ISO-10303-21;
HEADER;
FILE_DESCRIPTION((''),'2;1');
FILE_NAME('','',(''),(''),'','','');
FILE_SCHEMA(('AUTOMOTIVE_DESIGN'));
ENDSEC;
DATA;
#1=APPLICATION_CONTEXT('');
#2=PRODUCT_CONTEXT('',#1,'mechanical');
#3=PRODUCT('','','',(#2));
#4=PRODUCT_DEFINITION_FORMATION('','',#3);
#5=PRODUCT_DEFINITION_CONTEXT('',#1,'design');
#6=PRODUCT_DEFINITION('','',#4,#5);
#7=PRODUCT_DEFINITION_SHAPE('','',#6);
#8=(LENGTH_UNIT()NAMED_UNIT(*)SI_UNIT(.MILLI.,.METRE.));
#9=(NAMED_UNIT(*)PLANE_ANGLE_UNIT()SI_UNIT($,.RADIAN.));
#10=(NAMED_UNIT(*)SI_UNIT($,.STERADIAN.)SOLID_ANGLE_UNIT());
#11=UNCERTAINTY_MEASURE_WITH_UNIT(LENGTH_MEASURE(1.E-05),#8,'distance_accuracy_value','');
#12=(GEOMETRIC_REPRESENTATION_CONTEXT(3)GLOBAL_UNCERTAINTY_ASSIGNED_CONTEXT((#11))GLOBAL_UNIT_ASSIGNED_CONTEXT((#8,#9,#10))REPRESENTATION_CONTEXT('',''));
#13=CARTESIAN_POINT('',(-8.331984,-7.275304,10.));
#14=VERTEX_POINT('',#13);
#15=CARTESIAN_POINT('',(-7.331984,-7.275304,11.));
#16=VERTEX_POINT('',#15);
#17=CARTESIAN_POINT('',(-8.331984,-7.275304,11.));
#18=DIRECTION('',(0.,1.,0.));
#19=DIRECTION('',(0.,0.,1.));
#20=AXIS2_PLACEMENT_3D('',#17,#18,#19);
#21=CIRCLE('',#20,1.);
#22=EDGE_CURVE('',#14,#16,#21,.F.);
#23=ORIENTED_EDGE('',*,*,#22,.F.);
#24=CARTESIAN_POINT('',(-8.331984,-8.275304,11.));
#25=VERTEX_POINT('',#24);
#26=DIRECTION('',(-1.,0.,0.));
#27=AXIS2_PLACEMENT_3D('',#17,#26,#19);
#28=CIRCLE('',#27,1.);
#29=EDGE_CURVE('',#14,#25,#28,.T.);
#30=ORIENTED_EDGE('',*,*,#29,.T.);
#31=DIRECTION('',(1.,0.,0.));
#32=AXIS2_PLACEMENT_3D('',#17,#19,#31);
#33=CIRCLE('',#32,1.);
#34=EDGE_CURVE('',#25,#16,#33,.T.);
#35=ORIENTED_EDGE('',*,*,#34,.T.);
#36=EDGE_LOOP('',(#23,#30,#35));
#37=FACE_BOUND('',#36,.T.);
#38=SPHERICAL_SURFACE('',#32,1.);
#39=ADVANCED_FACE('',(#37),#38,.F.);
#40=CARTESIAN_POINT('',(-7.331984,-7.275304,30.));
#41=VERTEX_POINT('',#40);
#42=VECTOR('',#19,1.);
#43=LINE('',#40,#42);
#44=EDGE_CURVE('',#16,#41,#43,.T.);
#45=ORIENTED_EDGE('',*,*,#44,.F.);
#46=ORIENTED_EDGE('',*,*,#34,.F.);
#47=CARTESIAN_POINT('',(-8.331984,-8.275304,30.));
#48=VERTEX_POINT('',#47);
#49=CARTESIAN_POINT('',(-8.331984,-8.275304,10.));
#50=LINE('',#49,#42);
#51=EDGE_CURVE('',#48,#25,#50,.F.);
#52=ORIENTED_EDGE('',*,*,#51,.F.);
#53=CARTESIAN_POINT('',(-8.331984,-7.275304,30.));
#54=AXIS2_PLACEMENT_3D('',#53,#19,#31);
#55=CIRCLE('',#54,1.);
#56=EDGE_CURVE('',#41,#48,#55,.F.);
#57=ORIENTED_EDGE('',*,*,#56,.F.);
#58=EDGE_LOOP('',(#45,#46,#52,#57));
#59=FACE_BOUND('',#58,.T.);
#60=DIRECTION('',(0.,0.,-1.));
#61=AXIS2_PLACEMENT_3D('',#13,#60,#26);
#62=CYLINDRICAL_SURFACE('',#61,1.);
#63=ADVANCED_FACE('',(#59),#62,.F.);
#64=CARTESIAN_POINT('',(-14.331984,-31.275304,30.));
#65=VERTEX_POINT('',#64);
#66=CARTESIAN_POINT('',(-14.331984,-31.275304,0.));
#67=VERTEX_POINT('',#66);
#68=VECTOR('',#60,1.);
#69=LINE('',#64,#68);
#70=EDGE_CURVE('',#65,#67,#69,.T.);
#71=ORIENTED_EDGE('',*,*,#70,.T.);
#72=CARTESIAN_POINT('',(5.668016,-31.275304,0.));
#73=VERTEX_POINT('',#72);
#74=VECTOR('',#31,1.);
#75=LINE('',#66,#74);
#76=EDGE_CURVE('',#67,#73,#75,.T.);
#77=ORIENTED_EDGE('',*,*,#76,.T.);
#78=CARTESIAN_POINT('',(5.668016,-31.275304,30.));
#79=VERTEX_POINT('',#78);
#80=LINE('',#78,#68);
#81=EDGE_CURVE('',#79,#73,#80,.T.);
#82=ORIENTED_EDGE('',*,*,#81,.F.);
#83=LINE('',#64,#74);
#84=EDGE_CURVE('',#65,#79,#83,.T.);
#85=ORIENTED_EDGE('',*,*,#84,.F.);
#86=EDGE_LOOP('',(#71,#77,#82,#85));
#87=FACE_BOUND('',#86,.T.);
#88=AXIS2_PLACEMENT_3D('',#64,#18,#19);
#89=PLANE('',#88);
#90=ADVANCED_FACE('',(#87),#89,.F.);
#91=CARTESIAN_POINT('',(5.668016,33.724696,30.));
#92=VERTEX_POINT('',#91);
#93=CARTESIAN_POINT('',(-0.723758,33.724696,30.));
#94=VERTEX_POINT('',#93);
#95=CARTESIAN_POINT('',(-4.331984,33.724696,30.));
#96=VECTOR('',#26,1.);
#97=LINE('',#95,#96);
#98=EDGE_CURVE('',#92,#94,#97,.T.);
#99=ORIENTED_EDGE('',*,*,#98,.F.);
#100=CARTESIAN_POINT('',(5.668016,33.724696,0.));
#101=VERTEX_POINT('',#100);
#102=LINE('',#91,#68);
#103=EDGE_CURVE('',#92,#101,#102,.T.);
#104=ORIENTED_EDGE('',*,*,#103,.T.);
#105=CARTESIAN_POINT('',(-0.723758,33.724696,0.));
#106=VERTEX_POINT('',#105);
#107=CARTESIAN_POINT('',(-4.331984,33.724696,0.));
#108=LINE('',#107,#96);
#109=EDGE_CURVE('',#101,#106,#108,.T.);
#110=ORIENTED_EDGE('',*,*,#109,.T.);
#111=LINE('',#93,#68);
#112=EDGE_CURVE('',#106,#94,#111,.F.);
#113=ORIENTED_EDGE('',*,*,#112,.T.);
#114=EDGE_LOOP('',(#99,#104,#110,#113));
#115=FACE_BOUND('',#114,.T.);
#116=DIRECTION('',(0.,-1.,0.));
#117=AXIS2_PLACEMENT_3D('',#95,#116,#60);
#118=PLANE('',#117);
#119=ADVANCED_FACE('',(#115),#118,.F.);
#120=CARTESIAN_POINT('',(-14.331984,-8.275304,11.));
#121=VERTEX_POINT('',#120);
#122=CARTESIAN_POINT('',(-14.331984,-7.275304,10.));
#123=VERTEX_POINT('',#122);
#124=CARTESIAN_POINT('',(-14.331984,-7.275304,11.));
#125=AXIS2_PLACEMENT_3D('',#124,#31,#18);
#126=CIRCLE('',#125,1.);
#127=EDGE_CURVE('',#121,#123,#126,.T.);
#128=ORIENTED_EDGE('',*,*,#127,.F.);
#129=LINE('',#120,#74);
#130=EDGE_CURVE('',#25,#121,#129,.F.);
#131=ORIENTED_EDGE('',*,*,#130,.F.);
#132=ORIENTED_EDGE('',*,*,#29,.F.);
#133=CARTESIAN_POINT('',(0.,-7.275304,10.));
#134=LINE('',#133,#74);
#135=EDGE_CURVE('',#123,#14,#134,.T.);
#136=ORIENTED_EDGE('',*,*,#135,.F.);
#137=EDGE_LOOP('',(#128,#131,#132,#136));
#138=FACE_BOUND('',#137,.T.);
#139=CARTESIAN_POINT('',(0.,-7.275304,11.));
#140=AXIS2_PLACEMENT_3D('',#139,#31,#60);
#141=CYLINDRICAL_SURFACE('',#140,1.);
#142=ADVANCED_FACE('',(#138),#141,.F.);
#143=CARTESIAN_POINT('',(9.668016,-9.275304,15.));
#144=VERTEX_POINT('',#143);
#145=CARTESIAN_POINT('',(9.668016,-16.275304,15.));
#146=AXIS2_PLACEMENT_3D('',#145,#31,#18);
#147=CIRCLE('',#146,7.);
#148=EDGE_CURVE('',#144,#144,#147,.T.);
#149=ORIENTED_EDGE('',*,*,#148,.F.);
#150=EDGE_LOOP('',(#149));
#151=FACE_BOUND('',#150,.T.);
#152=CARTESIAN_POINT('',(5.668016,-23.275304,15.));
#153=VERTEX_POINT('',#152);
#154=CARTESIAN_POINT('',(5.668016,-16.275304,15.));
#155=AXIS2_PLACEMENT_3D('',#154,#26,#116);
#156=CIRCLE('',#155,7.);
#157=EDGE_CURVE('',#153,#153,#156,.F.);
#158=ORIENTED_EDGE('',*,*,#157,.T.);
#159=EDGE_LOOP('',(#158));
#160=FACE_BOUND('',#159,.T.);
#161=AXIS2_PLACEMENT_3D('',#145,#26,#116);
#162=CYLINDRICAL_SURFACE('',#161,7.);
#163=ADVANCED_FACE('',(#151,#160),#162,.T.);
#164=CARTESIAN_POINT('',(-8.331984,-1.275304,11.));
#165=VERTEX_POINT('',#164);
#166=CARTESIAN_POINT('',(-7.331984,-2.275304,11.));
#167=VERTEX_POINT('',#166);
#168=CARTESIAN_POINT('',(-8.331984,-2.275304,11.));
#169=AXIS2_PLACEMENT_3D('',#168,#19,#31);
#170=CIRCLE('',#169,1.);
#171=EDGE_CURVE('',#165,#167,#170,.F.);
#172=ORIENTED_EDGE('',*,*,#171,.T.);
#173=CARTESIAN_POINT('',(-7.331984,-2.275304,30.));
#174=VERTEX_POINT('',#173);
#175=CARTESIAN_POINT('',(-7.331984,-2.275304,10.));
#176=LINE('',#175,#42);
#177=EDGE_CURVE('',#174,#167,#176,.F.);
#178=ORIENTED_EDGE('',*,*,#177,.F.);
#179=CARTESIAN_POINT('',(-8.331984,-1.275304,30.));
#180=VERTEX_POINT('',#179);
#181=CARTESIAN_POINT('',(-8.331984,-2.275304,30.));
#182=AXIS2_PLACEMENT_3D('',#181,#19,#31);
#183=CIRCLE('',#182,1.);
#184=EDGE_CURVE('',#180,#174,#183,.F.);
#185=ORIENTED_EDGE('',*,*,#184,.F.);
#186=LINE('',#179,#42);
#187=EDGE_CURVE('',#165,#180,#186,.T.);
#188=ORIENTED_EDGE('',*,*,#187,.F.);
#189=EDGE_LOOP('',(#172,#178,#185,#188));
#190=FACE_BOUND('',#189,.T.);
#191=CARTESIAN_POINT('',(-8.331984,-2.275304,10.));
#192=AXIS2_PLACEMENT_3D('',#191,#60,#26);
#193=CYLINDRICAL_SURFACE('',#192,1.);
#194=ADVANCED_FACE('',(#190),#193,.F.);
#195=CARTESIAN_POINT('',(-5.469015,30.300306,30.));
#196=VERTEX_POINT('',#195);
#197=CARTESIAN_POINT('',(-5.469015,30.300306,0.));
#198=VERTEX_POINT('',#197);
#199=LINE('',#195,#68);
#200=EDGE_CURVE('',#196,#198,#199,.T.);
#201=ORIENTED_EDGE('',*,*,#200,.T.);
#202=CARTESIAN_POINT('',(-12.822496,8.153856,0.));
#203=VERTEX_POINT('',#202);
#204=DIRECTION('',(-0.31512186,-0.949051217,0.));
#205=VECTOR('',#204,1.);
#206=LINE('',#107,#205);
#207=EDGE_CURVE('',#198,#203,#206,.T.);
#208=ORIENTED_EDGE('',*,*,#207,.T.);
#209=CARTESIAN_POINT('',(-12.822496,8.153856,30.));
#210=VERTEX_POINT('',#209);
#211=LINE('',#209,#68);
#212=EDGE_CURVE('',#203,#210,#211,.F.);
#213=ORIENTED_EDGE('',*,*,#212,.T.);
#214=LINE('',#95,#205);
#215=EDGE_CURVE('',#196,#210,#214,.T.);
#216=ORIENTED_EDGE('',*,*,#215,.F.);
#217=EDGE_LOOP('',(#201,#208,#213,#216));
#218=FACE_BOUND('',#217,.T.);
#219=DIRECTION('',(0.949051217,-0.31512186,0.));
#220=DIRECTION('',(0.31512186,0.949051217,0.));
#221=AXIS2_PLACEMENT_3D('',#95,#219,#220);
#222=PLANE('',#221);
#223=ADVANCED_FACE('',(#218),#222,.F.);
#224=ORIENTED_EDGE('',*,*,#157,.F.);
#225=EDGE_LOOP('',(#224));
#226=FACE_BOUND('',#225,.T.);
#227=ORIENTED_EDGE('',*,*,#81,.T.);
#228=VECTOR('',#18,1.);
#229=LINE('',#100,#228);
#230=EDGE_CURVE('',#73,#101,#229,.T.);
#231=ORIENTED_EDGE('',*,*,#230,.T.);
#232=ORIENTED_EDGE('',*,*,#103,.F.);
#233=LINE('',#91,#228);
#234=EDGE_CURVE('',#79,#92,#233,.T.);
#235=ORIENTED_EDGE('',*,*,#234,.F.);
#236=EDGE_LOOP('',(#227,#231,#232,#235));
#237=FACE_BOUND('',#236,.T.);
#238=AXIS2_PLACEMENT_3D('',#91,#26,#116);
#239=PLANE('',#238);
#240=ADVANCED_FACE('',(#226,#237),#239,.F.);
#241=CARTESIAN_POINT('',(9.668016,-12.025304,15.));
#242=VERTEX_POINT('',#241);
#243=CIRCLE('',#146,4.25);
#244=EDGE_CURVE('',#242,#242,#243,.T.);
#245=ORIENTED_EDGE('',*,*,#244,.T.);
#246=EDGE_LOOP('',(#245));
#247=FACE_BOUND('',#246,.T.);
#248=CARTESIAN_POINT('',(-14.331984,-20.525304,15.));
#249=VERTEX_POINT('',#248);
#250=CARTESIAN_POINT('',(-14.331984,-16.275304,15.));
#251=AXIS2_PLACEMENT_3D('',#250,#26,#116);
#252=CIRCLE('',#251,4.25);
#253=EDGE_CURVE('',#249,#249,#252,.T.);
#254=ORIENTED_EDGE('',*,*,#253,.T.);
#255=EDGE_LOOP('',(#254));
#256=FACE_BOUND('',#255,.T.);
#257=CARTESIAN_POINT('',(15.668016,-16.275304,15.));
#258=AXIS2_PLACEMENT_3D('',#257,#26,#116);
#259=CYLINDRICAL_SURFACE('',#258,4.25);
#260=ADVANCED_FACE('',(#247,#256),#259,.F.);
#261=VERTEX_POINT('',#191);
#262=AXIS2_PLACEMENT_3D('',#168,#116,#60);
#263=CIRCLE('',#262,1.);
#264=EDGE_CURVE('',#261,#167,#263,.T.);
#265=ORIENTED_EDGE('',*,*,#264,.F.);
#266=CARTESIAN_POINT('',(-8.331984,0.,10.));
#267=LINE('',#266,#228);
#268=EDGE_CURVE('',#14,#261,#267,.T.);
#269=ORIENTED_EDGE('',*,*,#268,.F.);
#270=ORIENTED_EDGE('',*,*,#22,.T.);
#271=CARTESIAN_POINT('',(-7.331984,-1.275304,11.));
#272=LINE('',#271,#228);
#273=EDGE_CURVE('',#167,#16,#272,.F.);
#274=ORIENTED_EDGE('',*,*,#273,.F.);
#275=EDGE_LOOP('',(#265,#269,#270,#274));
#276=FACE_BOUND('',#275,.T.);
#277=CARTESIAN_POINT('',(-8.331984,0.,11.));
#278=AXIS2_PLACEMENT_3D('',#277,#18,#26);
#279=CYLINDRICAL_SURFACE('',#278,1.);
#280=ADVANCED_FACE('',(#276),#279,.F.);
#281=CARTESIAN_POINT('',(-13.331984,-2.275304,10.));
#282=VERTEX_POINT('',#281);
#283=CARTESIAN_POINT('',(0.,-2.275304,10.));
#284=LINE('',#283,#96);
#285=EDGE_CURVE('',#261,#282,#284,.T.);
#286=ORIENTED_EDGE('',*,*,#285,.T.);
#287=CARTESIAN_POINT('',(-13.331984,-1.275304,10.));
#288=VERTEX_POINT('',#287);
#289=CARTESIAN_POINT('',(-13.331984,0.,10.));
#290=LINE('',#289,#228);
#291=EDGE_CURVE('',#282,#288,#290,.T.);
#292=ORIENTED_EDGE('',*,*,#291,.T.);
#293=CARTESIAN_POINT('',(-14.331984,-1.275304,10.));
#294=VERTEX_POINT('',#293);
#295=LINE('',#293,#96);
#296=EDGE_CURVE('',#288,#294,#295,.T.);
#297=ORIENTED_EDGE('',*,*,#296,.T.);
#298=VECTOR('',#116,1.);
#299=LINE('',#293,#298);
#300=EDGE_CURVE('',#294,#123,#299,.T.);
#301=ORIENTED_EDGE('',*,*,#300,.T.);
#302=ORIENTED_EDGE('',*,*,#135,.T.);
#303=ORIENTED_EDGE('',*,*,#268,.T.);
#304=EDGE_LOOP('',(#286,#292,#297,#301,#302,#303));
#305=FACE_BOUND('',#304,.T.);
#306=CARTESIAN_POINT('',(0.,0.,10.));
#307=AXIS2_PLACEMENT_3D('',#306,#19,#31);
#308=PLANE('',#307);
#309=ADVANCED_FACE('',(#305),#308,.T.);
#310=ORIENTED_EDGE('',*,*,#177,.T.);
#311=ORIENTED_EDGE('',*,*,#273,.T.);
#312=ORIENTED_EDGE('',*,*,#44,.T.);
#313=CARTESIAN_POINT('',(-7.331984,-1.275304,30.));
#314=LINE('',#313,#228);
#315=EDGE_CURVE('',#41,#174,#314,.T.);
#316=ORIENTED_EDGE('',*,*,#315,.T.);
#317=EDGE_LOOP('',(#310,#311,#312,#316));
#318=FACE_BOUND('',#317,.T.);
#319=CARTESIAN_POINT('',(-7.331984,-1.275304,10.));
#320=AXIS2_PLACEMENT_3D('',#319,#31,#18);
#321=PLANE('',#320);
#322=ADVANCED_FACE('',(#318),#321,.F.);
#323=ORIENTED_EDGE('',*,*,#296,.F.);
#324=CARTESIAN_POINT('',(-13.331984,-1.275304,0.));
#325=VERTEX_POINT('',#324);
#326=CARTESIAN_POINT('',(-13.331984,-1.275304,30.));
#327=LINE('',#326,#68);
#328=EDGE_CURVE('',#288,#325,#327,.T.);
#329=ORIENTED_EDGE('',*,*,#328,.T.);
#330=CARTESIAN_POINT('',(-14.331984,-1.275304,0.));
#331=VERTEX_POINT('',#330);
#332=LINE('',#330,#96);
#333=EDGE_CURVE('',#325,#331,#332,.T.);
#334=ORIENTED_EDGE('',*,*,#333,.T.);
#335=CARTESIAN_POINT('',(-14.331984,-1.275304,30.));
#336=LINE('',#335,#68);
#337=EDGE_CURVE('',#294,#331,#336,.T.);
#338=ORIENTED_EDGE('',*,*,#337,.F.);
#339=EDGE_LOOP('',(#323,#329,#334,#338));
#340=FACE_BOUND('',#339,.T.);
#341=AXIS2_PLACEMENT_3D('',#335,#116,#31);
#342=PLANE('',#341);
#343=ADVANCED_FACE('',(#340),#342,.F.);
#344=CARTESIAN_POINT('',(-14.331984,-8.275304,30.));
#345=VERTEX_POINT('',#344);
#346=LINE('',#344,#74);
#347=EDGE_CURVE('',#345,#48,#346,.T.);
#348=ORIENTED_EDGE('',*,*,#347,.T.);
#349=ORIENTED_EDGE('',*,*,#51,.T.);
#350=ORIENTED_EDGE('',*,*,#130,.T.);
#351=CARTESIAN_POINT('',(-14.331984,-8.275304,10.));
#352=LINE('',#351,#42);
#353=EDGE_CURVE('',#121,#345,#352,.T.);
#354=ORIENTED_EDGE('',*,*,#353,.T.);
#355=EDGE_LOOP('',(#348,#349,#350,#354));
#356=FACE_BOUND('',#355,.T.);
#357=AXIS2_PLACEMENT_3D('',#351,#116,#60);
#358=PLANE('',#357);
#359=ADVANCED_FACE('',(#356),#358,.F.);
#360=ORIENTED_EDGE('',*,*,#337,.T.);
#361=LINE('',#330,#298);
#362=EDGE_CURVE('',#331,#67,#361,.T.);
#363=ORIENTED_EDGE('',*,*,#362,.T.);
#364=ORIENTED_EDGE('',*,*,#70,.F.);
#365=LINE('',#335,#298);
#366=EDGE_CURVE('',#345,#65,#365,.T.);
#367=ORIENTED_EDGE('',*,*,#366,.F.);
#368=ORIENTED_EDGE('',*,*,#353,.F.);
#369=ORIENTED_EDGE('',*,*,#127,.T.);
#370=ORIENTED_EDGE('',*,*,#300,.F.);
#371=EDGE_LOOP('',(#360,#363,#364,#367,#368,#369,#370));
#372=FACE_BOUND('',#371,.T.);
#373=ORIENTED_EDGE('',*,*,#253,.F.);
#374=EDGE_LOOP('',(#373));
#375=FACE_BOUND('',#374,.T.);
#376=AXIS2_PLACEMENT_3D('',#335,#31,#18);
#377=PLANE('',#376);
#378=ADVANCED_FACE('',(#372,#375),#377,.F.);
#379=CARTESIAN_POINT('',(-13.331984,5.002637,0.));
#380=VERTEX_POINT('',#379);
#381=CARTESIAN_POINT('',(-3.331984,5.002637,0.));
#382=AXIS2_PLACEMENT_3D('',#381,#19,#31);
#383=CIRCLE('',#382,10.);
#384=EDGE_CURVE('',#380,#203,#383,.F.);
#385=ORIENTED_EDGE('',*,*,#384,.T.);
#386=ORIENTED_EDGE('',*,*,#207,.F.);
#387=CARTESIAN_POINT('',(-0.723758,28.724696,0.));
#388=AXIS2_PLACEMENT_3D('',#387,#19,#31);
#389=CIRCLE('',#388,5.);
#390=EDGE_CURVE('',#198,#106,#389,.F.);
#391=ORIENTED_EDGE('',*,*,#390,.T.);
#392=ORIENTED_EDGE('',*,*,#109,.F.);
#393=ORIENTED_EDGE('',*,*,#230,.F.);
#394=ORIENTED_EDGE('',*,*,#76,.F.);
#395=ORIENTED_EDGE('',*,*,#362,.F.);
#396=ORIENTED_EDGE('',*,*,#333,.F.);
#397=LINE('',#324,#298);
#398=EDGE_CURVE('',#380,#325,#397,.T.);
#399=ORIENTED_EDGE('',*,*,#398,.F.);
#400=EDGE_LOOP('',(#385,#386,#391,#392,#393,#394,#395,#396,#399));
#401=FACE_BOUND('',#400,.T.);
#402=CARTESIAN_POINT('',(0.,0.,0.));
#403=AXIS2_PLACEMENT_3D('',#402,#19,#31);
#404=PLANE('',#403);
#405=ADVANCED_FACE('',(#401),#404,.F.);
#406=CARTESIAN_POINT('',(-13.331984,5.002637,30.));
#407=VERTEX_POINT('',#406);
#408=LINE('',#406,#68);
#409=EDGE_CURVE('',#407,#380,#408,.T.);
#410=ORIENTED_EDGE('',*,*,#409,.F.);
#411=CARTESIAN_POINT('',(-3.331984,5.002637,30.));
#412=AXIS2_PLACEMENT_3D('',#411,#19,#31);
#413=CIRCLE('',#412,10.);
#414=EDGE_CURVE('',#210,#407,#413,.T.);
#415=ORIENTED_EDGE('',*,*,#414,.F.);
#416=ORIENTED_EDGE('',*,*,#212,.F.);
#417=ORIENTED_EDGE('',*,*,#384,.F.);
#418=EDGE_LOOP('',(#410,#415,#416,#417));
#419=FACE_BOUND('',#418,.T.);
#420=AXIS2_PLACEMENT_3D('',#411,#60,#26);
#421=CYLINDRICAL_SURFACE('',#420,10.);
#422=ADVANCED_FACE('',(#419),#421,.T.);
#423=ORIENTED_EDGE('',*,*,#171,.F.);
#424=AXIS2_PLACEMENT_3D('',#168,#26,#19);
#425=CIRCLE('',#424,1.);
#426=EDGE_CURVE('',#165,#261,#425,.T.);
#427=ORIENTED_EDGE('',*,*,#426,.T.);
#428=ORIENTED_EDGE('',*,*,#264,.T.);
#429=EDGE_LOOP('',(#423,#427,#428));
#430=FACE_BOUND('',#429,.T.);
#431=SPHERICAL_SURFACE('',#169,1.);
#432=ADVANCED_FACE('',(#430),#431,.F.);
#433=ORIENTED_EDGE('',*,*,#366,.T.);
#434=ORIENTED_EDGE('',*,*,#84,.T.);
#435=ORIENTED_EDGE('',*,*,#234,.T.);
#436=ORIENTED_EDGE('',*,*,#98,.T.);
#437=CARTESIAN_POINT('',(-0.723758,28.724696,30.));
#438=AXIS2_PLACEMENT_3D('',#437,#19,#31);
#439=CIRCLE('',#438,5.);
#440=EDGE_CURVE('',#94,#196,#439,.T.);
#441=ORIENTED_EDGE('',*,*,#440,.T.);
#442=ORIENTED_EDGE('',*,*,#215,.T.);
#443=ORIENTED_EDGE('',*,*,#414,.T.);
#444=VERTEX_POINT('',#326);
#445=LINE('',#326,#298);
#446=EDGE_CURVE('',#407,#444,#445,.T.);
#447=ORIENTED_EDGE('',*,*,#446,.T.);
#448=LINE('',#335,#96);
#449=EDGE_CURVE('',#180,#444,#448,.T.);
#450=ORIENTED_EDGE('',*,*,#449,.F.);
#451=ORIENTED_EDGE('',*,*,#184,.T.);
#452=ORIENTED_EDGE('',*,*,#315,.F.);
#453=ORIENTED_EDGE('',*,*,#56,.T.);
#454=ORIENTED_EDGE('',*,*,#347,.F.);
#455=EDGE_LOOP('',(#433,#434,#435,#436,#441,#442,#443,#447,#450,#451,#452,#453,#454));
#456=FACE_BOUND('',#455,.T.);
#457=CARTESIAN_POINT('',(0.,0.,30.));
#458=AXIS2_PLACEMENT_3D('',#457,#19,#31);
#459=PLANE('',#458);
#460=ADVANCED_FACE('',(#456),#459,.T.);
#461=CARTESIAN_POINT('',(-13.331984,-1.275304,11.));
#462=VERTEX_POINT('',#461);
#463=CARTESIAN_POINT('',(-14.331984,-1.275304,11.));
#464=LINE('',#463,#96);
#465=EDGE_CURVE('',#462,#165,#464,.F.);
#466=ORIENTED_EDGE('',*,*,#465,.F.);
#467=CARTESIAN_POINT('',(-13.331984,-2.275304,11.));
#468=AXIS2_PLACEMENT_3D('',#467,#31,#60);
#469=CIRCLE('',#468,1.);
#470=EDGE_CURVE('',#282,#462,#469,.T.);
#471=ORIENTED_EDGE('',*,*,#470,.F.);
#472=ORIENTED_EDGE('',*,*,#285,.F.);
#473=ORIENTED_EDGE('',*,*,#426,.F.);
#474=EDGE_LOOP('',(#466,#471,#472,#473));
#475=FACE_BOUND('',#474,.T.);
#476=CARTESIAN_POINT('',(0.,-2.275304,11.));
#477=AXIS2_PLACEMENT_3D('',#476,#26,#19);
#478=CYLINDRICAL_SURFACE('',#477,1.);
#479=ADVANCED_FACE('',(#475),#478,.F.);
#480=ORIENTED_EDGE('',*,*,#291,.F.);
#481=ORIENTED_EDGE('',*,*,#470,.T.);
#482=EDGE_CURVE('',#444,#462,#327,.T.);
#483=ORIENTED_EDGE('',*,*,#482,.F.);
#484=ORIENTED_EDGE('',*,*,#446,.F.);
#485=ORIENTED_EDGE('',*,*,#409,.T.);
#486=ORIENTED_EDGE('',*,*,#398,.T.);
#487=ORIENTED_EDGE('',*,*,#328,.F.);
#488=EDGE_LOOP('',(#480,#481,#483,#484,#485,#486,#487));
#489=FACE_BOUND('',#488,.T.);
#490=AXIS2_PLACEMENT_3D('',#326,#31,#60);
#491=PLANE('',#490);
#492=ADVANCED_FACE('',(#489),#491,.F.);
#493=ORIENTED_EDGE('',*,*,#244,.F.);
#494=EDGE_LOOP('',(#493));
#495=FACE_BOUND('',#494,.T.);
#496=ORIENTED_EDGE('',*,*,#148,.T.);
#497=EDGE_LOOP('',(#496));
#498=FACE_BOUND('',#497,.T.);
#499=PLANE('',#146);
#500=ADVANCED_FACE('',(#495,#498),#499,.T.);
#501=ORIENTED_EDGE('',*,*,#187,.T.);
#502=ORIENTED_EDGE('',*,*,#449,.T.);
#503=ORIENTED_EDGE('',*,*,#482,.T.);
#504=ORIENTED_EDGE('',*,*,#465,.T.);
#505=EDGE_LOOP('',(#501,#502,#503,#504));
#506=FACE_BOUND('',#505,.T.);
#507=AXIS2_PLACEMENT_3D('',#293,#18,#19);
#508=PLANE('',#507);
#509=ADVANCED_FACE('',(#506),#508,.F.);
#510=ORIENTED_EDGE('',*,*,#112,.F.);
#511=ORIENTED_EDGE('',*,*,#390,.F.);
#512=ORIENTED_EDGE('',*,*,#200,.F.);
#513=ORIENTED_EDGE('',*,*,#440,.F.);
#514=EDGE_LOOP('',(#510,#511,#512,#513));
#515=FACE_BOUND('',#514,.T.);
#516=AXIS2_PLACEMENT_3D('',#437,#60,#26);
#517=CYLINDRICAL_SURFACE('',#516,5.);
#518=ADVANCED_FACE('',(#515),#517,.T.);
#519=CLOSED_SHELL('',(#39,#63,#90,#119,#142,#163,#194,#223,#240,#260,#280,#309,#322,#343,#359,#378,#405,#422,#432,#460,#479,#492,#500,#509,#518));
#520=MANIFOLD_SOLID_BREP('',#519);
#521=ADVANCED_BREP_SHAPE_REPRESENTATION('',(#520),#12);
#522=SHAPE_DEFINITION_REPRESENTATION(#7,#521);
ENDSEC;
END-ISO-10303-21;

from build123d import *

# Parameters (mm, degrees)
EXTRUDE_1_DEPTH     = 30
SKETCH_2_R          = 4.25
CUT_EXTRUDE_1_DEPTH = 30
FILLET_1_R          = 10
FILLET_2_R          = 5
SKETCH_5_W          = 7
SKETCH_5_H          = 7
CUT_EXTRUDE_2_DEPTH = 20
FILLET_5_R          = 1
SKETCH_6_R          = 7
SKETCH_6_R_2        = 4.25
EXTRUDE_2_DEPTH     = 4


with BuildPart() as part:
    # 草图1 → 凸台-拉伸1 (new body)
    with BuildSketch(Plane.XY):
        Polygon((-4.331983806, 33.724696356), (-13.331983806, 6.619433198), (-13.331983806, -1.275303644), (-14.331983806, -1.275303644), (-14.331983806, -31.275303644), (5.668016194, -31.275303644), (5.668016194, 33.724696356), align=None)
    extrude(amount=EXTRUDE_1_DEPTH)

    # 草图2 → 切除-拉伸1 (cut)
    with BuildSketch(Plane.ZY.offset(14.331983806)):
        with Locations(Location((15, -16.275303644, 0), (0, 0, 270))):
            Circle(SKETCH_2_R)
    extrude(amount=-CUT_EXTRUDE_1_DEPTH, mode=Mode.SUBTRACT)

    # 圆角1
    fillet_1_edges = [part.edges().sort_by_distance(p)[0] for p in [
        (-13.331983806, 6.619433198, 15),
    ]]
    fillet(fillet_1_edges, radius=FILLET_1_R)

    # 圆角2
    fillet_2_edges = [part.edges().sort_by_distance(p)[0] for p in [
        (-4.331983806, 33.724696356, 15),
    ]]
    fillet(fillet_2_edges, radius=FILLET_2_R)

    # 草图5 → 切除-拉伸2 (cut)
    with BuildSketch(Plane.XY.offset(30)):
        with Locations((-10.831983806, -4.775303644)):
            Rectangle(SKETCH_5_W, SKETCH_5_H)
    extrude(amount=-CUT_EXTRUDE_2_DEPTH, mode=Mode.SUBTRACT)

    # 圆角5
    fillet_5_edges = [part.edges().sort_by_distance(p)[0] for p in [
        (-10.331983806, -1.275303644, 10),
        (-7.331983806, -4.775303644, 10),
        (-7.331983806, -1.275303644, 20),
        (-10.831983806, -8.275303644, 10),
        (-7.331983806, -8.275303644, 20),
    ]]
    fillet(fillet_5_edges, radius=FILLET_5_R)

    # 草图6 → 凸台-拉伸2 (add)
    with BuildSketch(Plane(origin=(5.668016194, 0, 0), x_dir=(0, 0, -1), z_dir=(1, 0, 0))):
        with Locations(Location((-15, -16.275303644, 0), (0, 0, 270))):
            Circle(SKETCH_6_R)
        with Locations(Location((-15, -16.275303644, 0), (0, 0, 270))):
            Circle(SKETCH_6_R_2, mode=Mode.SUBTRACT)
    extrude(amount=EXTRUDE_2_DEPTH)


solid = part.part
